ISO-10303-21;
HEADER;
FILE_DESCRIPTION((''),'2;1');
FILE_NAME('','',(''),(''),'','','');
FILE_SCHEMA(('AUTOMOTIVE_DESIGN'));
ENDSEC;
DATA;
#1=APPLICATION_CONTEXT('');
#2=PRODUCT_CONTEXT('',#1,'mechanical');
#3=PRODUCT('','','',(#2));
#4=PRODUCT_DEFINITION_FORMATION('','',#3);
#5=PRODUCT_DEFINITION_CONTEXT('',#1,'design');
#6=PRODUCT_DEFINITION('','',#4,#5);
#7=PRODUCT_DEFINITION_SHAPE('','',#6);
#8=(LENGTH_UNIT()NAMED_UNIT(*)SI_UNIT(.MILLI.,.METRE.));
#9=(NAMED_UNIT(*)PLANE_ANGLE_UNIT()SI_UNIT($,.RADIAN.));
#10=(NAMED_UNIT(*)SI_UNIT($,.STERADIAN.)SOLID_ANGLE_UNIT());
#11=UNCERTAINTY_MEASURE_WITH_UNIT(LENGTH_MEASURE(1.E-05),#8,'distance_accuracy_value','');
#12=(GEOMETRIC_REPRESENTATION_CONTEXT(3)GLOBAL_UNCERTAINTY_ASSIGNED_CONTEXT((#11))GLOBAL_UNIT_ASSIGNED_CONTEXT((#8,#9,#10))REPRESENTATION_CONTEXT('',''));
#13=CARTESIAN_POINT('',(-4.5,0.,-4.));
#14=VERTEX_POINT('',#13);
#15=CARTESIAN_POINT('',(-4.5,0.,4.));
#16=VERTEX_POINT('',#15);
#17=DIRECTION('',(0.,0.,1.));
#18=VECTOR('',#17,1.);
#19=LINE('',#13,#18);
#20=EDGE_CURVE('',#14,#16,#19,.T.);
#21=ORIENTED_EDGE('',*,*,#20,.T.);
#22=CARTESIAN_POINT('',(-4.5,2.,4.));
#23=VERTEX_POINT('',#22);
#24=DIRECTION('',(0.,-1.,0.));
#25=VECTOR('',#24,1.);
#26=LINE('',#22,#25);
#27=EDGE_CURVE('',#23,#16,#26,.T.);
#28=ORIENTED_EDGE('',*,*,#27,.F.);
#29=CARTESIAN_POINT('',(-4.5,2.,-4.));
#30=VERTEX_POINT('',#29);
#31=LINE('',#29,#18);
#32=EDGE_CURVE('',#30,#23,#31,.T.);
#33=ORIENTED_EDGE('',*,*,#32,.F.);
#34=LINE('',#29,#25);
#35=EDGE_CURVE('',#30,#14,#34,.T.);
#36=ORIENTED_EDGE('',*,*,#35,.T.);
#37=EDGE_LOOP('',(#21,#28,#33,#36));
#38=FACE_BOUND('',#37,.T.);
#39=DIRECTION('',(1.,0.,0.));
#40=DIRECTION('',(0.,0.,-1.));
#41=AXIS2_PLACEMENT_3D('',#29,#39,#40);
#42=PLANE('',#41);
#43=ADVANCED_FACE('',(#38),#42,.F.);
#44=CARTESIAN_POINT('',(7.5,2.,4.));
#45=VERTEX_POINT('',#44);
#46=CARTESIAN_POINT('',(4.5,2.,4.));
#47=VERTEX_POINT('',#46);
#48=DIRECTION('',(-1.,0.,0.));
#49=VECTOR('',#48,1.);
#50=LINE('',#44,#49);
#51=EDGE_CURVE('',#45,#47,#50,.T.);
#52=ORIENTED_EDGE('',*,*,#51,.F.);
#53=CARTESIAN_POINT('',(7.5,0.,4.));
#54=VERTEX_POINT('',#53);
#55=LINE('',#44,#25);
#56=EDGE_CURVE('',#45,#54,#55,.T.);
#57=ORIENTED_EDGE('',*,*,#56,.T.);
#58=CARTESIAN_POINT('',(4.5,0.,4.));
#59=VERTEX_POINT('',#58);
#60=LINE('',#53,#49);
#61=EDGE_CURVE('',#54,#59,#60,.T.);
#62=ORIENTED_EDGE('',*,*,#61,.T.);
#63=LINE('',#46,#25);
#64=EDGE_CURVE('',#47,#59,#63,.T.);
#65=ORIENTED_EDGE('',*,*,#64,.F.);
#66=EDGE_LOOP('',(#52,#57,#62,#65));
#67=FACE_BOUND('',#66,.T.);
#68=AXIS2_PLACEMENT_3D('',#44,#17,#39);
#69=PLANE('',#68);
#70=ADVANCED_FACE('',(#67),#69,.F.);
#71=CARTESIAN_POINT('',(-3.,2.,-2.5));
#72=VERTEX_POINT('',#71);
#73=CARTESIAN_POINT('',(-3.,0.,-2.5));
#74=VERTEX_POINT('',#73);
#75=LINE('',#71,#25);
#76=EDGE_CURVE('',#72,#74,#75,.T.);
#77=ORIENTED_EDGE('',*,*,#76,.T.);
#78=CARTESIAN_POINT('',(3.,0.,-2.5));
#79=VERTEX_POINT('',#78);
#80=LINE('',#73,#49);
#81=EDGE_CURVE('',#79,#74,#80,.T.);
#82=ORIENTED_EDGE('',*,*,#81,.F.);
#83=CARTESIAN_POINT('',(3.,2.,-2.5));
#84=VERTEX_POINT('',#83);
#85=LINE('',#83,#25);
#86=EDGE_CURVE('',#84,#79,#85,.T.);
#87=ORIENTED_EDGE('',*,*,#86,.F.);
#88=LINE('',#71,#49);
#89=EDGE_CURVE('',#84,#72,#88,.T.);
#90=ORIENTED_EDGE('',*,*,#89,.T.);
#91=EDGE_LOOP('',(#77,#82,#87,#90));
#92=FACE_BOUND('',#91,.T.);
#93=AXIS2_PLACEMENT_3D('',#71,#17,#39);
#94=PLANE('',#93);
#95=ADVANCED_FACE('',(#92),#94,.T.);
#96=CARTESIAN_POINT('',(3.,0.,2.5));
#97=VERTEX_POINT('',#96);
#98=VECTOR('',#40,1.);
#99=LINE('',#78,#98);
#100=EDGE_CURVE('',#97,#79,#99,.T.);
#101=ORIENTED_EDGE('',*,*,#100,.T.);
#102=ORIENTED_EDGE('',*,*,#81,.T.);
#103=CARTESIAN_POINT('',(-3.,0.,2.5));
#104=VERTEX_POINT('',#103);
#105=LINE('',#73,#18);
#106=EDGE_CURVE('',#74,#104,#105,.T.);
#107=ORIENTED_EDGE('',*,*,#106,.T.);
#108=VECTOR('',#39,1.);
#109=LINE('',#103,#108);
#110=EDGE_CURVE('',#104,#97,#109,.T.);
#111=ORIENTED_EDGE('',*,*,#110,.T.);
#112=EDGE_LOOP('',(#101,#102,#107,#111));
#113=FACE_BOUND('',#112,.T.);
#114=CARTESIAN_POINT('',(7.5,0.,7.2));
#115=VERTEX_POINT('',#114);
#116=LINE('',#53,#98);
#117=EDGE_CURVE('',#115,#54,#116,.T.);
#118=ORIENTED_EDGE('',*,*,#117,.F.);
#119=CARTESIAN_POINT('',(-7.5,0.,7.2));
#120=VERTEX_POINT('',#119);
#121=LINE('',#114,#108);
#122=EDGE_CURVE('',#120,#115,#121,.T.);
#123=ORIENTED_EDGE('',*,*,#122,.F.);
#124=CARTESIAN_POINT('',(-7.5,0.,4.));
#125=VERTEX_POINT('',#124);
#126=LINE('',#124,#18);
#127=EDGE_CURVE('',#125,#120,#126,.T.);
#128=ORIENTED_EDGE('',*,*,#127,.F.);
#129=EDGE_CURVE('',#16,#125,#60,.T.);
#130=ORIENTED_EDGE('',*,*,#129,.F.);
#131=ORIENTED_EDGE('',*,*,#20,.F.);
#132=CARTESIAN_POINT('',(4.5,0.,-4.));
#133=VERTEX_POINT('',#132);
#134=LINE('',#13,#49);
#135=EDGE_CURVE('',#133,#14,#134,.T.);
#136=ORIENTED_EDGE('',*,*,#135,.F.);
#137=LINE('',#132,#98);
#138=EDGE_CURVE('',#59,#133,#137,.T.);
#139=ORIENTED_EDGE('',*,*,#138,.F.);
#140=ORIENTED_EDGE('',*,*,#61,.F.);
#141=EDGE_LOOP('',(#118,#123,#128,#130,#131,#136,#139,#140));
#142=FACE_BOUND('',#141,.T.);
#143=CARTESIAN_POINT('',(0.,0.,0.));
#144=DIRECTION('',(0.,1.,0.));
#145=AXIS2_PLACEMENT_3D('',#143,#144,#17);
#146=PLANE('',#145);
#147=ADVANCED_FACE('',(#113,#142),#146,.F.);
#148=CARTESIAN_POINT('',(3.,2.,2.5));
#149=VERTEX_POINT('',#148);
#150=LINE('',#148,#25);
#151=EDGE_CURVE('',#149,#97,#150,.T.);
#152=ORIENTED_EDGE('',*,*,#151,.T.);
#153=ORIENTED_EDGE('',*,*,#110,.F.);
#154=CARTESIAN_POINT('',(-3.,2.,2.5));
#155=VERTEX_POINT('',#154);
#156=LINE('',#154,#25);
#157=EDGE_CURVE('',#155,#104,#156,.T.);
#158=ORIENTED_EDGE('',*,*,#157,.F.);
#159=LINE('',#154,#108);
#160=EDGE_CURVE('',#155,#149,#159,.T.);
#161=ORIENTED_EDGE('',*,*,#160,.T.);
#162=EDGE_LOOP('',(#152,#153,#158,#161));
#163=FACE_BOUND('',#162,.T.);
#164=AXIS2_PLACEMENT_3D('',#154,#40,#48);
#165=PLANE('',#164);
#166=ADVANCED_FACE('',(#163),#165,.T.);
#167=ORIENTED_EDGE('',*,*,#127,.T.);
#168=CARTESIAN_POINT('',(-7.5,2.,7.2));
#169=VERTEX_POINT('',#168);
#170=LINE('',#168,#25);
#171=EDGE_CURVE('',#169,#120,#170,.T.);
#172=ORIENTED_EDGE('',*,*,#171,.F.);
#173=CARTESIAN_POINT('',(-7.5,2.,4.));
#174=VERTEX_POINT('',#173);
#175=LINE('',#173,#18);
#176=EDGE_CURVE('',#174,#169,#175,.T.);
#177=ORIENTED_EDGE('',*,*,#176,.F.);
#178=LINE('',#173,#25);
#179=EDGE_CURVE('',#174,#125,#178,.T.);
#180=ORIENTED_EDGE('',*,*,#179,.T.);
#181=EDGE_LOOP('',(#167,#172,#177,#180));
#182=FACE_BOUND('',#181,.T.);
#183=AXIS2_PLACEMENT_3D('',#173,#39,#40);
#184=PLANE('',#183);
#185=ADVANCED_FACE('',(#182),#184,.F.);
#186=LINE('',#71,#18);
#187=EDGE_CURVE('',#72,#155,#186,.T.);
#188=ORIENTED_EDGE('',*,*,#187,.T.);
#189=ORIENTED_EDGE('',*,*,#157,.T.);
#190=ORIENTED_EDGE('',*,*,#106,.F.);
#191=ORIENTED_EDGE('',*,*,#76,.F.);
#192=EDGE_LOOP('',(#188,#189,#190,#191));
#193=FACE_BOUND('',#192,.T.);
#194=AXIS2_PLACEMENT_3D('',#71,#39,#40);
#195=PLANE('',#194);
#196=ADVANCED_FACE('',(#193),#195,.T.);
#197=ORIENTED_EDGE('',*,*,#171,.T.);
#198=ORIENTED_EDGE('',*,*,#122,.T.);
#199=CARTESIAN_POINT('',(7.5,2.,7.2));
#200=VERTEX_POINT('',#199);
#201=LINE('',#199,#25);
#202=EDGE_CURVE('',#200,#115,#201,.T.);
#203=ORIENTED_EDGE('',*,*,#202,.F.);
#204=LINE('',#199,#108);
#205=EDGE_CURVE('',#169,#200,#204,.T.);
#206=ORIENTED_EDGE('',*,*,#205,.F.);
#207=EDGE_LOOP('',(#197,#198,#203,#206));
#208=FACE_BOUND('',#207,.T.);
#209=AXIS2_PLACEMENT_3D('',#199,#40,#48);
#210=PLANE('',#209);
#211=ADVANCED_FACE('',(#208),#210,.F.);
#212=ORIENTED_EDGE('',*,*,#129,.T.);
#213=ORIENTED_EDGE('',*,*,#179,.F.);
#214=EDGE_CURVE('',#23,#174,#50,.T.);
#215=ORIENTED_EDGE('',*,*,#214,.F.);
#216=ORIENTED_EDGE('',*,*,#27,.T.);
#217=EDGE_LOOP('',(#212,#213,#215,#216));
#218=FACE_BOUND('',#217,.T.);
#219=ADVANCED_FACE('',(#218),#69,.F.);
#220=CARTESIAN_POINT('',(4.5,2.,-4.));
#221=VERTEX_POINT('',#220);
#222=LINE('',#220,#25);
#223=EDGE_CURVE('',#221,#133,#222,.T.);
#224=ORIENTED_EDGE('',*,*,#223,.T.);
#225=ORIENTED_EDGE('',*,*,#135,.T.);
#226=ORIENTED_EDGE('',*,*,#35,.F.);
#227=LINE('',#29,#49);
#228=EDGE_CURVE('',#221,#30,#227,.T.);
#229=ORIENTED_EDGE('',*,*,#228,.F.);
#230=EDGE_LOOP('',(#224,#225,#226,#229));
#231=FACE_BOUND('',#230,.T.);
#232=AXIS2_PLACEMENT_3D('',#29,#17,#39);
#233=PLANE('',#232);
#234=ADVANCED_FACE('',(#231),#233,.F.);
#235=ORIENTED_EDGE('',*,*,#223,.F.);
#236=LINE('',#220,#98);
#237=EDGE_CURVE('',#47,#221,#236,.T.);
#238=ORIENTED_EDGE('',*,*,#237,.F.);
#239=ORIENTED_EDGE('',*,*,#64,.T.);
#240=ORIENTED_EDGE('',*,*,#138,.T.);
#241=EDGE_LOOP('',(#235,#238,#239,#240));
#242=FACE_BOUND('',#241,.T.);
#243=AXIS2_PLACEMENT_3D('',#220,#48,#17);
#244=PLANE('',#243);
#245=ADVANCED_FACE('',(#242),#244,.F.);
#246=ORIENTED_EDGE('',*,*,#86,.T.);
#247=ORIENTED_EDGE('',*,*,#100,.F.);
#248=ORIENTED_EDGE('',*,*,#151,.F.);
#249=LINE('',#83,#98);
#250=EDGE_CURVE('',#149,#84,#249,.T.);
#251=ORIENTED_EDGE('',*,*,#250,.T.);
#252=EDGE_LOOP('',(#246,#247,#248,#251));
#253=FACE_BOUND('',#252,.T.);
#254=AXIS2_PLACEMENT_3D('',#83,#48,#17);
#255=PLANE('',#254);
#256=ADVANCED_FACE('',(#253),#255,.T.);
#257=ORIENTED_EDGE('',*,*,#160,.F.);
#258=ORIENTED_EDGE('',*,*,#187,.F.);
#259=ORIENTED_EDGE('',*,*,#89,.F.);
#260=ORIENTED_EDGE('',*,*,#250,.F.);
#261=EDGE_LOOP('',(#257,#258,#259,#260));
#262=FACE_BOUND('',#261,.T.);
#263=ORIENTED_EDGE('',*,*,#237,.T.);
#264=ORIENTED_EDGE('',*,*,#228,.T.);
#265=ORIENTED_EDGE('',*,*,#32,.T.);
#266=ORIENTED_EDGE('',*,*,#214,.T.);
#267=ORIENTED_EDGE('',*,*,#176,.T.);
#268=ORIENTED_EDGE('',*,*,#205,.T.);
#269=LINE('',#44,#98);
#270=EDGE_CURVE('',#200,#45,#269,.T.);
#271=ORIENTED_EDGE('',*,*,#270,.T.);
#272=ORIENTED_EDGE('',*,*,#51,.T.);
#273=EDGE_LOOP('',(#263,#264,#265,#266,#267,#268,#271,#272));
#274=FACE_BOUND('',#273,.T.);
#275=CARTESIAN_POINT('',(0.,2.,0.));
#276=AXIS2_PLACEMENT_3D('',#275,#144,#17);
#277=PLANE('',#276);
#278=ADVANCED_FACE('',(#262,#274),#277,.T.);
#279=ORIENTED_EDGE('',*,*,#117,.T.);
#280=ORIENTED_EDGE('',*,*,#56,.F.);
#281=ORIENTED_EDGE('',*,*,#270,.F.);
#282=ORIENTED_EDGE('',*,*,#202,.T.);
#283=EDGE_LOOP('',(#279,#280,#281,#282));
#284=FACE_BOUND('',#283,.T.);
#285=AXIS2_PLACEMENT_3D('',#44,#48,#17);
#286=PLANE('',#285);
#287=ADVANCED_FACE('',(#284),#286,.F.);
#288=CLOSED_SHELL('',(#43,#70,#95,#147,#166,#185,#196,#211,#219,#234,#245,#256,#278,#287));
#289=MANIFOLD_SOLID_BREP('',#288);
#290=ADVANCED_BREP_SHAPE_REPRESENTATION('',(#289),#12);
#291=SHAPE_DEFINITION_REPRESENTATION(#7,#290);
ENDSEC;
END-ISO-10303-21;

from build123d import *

# Parameters (mm, degrees)
SKETCH1_W           = 9
SKETCH1_H           = 8
SKETCH1_W_2         = 6
SKETCH1_H_2         = 5
BOSS_EXTRUDE1_DEPTH = 2
SKETCH2_W           = 15
SKETCH2_H           = 3.2
BOSS_EXTRUDE3_DEPTH = 2


with BuildPart() as part:
    # Sketch1 → Boss-Extrude1 (new body)
    with BuildSketch(Plane(origin=(0, 0, 0), x_dir=(1, 0, 0), z_dir=(0, 1, 0))):
        Rectangle(SKETCH1_W, SKETCH1_H)
        Rectangle(SKETCH1_W_2, SKETCH1_H_2, mode=Mode.SUBTRACT)
    extrude(amount=BOSS_EXTRUDE1_DEPTH)

    # Sketch2 → Boss-Extrude3 (add)
    with BuildSketch(Plane(origin=(0, 0, 0), x_dir=(1, 0, 0), z_dir=(0, 1, 0))):
        with Locations((0, -5.6)):
            Rectangle(SKETCH2_W, SKETCH2_H)
    extrude(amount=BOSS_EXTRUDE3_DEPTH)


solid = part.part
